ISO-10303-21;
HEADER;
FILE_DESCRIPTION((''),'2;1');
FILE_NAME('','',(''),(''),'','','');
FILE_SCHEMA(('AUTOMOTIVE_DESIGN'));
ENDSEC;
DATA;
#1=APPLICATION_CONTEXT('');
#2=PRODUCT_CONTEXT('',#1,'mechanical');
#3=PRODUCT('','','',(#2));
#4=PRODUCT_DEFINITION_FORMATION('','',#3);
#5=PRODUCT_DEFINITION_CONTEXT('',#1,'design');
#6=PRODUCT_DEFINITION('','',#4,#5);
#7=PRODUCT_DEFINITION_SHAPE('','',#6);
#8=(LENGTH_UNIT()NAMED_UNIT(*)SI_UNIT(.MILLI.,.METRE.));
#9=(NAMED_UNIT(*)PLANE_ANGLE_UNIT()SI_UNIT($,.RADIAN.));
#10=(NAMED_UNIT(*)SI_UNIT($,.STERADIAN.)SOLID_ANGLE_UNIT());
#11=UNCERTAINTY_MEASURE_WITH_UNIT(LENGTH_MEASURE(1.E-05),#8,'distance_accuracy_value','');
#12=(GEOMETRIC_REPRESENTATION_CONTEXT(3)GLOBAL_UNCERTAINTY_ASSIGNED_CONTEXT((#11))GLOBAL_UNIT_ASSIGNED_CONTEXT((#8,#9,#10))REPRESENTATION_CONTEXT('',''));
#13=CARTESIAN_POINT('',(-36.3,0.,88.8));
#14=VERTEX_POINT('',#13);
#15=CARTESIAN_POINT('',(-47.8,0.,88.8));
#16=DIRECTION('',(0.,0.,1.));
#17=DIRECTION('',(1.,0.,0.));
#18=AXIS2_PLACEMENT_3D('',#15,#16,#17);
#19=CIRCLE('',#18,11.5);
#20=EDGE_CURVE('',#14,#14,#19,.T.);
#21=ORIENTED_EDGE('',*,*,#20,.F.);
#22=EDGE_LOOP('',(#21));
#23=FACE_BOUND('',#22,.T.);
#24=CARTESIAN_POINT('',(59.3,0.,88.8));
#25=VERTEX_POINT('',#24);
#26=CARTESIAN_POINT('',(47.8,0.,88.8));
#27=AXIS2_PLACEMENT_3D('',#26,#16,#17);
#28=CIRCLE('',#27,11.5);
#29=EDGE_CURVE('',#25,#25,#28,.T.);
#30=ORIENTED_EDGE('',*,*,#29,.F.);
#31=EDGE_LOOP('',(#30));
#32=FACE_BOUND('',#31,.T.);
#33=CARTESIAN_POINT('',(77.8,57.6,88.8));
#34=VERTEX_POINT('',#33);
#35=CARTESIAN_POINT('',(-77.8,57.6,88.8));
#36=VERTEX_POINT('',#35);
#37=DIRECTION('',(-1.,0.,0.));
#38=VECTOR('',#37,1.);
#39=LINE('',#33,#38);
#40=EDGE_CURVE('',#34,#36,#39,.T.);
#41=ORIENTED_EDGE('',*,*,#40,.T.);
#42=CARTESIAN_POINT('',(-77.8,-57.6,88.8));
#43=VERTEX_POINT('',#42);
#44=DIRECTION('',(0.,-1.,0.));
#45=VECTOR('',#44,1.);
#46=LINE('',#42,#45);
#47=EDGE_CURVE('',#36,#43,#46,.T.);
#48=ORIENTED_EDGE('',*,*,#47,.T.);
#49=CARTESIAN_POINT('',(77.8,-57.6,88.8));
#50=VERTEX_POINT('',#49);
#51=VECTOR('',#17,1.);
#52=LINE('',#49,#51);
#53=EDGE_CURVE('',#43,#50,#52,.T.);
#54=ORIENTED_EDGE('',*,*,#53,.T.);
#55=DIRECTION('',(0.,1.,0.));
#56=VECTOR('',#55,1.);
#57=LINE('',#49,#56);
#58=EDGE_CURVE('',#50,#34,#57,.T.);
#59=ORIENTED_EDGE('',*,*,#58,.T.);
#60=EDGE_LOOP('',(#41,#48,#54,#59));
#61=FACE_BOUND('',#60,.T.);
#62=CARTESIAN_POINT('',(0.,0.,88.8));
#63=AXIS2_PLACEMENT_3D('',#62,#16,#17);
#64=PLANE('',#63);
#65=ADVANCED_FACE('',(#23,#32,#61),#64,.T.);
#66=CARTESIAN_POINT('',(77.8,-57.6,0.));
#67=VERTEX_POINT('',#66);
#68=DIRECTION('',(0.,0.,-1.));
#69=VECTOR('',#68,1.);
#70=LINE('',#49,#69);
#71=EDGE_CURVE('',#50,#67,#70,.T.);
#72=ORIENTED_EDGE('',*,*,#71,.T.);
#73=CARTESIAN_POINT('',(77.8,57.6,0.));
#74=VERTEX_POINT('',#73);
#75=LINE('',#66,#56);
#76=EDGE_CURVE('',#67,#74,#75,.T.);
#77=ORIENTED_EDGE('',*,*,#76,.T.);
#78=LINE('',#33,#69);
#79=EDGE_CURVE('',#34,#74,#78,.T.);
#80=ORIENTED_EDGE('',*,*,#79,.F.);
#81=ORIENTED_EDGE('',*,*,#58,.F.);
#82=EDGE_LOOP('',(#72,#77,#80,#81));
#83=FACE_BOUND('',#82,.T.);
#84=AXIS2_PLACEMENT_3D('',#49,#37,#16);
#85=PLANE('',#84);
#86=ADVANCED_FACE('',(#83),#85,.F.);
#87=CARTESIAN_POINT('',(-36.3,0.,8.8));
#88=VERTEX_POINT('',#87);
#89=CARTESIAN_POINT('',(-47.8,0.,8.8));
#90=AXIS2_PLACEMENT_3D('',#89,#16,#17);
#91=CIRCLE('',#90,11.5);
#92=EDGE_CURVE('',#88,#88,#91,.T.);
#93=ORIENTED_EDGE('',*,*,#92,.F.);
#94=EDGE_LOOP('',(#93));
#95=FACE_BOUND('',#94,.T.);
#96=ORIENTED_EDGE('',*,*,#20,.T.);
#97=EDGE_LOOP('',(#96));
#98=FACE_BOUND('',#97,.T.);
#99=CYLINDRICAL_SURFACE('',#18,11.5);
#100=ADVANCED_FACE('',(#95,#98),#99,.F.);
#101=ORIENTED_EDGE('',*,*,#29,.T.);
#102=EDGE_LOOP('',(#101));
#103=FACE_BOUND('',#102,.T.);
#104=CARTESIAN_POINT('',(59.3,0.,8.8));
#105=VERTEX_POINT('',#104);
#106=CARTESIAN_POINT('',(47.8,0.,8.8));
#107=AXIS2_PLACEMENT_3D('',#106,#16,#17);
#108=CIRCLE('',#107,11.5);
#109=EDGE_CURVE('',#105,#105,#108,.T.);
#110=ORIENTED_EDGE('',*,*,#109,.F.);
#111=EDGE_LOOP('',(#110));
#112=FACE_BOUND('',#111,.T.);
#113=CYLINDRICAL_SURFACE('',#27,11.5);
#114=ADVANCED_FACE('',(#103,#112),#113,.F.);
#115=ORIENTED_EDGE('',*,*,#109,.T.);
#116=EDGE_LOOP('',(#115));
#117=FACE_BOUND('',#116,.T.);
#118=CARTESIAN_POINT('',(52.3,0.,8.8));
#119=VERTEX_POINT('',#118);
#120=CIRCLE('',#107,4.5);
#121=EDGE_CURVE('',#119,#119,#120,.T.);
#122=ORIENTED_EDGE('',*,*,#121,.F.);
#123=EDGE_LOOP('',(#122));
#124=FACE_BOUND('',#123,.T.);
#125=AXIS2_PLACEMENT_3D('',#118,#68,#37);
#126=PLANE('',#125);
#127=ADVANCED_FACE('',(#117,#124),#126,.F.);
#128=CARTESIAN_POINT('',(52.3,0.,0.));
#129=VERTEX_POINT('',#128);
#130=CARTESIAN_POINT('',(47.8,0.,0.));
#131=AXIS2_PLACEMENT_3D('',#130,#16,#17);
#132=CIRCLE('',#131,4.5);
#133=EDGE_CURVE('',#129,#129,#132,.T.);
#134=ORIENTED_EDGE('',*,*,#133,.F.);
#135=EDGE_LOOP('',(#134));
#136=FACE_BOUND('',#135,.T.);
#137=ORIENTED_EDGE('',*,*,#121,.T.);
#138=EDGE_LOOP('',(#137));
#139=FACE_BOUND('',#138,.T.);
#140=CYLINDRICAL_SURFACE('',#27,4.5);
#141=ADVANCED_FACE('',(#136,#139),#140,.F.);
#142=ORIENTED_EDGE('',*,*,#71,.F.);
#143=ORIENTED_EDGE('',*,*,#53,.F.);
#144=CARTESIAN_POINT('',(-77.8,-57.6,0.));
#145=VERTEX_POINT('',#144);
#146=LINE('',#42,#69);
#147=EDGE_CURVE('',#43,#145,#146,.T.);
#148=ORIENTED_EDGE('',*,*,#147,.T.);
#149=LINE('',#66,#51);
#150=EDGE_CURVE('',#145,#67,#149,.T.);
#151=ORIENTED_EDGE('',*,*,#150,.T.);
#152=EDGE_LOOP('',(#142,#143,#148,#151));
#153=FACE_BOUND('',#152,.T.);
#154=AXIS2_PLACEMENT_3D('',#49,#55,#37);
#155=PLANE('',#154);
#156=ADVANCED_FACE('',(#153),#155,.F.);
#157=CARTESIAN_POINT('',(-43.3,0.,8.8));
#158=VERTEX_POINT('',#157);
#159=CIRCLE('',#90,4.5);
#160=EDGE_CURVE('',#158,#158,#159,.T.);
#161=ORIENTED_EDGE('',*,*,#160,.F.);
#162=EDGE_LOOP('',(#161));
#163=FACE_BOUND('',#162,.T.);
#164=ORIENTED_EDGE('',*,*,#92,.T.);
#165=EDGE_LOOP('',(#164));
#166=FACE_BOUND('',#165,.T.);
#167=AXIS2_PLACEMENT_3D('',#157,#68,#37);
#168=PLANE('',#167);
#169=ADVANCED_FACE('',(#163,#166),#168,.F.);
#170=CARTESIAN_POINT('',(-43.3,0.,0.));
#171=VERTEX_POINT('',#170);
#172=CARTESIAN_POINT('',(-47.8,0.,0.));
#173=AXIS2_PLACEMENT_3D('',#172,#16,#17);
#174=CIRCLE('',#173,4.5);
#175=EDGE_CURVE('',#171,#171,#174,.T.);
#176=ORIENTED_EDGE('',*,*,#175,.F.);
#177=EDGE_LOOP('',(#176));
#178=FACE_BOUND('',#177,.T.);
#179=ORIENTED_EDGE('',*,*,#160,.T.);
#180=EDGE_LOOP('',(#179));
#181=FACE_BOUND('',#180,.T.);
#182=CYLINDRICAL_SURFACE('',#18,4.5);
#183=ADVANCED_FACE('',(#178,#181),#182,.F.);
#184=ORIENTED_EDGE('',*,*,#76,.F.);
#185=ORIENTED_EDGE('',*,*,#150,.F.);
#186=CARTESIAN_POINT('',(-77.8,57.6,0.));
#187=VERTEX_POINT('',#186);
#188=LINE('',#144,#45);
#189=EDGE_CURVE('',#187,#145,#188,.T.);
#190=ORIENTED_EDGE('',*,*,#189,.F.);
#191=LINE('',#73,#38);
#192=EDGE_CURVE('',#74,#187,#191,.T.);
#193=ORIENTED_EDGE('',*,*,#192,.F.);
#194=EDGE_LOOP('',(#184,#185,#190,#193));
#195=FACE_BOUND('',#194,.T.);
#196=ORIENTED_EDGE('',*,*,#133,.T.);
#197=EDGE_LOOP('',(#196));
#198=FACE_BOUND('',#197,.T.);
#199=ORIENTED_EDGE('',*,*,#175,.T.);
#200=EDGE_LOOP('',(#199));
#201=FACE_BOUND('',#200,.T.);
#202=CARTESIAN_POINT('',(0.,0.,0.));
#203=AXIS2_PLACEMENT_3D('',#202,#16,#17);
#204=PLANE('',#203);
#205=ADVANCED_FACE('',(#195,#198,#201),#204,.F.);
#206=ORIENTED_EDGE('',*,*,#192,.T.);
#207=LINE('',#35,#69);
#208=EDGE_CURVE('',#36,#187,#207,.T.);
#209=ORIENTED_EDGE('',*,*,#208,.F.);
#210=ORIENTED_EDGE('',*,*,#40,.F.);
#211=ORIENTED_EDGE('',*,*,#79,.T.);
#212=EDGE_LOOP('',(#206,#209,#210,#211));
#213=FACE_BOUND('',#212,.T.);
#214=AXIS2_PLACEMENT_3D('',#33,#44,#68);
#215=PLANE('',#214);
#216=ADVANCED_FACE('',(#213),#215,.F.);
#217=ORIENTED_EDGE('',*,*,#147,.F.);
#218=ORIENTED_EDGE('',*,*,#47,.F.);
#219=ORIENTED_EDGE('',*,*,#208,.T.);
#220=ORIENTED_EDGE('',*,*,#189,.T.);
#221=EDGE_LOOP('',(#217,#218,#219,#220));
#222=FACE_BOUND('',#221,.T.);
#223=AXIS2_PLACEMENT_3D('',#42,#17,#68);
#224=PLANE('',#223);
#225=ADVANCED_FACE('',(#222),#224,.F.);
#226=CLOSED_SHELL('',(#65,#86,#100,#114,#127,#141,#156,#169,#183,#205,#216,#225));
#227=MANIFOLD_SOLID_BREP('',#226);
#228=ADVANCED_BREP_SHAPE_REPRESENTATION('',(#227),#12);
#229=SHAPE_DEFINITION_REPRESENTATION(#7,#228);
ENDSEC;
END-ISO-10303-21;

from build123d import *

# Parameters (mm, degrees)
SKIZZE1_W                                           = 155.6
SKIZZE1_H                                           = 115.2
AUFSATZ_LINEAR_AUSTRAGEN1_DEPTH                     = 88.8
STIRNSENKUNG_F_R_M8_SENKSCHRAUBE_KOPF_B_D           = 9
STIRNSENKUNG_F_R_M8_SENKSCHRAUBE_KOPF_B_CBORE_D     = 23
STIRNSENKUNG_F_R_M8_SENKSCHRAUBE_KOPF_B_CBORE_DEPTH = 80


with BuildPart() as part:
    # Skizze1 → Aufsatz-Linear austragen1 (new body)
    with BuildSketch(Plane.XY):
        Rectangle(SKIZZE1_W, SKIZZE1_H)
    extrude(amount=AUFSATZ_LINEAR_AUSTRAGEN1_DEPTH)

    # Stirnsenkung für M8 Senkschraube (Kopf Button)1 (through all)
    with Locations(Plane.XY.offset(88.8)):
        with Locations((-47.8, 0)):
            stirnsenkung_f_r_m8_senkschraube_kopf_b = CounterBoreHole(STIRNSENKUNG_F_R_M8_SENKSCHRAUBE_KOPF_B_D / 2, STIRNSENKUNG_F_R_M8_SENKSCHRAUBE_KOPF_B_CBORE_D / 2, STIRNSENKUNG_F_R_M8_SENKSCHRAUBE_KOPF_B_CBORE_DEPTH)

    # Spiegeln1: Stirnsenkung für M8 Senkschraube (Kopf Button)1 across plane
    add(stirnsenkung_f_r_m8_senkschraube_kopf_b.mirror(Plane(origin=(0, 0, 0), x_dir=(0, 0, 1), z_dir=(1, 0, 0))), mode=Mode.SUBTRACT)


solid = part.part
